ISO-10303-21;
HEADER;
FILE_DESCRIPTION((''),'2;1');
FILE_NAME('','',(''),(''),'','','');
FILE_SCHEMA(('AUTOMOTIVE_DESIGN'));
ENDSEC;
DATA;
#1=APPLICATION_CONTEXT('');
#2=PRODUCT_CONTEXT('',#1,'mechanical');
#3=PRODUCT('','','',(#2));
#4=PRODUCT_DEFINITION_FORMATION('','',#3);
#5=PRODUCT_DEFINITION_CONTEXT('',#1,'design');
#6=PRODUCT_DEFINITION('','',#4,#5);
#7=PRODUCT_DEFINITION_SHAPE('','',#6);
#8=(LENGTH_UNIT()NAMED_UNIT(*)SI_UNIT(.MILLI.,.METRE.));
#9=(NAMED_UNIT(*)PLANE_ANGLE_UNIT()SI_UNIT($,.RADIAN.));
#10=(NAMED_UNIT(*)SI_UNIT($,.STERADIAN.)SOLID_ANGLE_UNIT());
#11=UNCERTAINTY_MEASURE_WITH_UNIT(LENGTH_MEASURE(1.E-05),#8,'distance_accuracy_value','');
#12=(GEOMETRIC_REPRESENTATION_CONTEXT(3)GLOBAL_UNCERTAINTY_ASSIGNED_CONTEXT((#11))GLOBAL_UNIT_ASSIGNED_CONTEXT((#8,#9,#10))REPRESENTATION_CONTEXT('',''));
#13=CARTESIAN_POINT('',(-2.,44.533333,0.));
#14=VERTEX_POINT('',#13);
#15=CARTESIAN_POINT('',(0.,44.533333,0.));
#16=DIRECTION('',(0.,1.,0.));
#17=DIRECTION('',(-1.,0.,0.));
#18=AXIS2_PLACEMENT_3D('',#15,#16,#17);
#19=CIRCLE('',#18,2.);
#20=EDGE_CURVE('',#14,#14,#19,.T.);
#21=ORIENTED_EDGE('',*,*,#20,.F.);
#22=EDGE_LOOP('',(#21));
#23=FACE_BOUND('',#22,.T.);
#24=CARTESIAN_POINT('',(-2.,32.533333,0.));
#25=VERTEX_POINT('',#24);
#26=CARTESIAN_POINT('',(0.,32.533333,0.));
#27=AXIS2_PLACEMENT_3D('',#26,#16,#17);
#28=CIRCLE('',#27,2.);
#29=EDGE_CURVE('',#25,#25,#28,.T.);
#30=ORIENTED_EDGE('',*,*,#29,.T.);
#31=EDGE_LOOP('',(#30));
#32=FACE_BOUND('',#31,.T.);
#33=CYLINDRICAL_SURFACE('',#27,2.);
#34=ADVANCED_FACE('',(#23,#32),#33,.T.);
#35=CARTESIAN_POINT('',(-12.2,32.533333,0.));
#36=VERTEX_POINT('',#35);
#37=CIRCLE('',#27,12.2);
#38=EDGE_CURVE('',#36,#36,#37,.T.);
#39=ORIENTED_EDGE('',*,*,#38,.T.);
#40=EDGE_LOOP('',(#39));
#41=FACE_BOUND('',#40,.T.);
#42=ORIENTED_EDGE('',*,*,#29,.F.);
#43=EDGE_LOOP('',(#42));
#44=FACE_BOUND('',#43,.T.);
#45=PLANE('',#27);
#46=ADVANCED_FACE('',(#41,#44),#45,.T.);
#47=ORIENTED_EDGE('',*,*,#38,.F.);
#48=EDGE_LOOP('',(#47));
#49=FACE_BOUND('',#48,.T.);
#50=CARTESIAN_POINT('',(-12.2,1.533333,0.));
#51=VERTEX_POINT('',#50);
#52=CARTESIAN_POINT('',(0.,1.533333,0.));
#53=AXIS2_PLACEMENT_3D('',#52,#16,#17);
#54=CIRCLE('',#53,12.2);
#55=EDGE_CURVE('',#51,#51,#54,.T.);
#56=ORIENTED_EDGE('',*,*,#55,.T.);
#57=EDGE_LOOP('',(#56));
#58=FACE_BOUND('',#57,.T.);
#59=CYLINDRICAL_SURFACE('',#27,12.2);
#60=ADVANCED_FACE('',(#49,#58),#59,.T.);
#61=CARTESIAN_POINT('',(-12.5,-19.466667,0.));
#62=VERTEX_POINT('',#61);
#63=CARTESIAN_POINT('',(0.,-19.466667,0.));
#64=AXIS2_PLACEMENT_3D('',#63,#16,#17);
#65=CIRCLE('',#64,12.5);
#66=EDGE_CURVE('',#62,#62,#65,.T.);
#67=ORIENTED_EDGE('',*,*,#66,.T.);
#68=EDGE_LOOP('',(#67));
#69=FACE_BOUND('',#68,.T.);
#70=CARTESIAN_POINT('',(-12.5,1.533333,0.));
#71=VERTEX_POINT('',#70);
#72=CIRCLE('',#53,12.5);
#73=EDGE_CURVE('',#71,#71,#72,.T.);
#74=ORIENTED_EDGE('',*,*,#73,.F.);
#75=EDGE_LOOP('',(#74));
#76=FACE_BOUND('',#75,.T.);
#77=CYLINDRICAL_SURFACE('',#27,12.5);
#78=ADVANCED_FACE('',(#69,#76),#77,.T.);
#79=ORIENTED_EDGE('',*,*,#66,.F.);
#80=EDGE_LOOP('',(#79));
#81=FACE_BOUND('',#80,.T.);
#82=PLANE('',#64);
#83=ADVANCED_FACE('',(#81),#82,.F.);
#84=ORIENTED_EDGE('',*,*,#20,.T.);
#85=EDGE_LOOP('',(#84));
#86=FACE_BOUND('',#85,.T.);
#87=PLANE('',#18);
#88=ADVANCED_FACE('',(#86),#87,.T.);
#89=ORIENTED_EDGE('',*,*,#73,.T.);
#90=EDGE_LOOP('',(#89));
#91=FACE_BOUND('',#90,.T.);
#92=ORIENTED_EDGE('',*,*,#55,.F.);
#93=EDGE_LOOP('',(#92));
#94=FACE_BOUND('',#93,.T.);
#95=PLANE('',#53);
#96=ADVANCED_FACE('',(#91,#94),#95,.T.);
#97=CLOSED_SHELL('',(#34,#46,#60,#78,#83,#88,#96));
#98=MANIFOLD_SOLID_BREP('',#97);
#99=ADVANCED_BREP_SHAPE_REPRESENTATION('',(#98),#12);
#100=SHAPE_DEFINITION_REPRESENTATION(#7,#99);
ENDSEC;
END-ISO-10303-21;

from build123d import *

# Parameters (mm, degrees)
ESQUISSE2_W = 2
ESQUISSE2_H = 12


with BuildPart() as part:
    # Esquisse2 → Révolution2 (revolve)
    with BuildSketch(Plane.XY, mode=Mode.PRIVATE) as r_volution2_sk:
        Polygon((2, 32.533333333), (0, 32.533333333), (0, 1.533333333), (12.2, 1.533333333), (12.2, 32.533333333), align=None)
        with Locations((1, 38.533333333)):
            Rectangle(ESQUISSE2_W, ESQUISSE2_H)
        Polygon((12.2, 1.533333333), (0, 1.533333333), (0, -19.466666667), (12.5, -19.466666667), (12.5, 1.533333333), align=None)
    revolve(r_volution2_sk.sketch.rotate(Axis((0, 32.533333333, 0), (0, -1, 0)), 180), axis=Axis((0, 32.533333333, 0), (0, -1, 0)))


solid = part.part
